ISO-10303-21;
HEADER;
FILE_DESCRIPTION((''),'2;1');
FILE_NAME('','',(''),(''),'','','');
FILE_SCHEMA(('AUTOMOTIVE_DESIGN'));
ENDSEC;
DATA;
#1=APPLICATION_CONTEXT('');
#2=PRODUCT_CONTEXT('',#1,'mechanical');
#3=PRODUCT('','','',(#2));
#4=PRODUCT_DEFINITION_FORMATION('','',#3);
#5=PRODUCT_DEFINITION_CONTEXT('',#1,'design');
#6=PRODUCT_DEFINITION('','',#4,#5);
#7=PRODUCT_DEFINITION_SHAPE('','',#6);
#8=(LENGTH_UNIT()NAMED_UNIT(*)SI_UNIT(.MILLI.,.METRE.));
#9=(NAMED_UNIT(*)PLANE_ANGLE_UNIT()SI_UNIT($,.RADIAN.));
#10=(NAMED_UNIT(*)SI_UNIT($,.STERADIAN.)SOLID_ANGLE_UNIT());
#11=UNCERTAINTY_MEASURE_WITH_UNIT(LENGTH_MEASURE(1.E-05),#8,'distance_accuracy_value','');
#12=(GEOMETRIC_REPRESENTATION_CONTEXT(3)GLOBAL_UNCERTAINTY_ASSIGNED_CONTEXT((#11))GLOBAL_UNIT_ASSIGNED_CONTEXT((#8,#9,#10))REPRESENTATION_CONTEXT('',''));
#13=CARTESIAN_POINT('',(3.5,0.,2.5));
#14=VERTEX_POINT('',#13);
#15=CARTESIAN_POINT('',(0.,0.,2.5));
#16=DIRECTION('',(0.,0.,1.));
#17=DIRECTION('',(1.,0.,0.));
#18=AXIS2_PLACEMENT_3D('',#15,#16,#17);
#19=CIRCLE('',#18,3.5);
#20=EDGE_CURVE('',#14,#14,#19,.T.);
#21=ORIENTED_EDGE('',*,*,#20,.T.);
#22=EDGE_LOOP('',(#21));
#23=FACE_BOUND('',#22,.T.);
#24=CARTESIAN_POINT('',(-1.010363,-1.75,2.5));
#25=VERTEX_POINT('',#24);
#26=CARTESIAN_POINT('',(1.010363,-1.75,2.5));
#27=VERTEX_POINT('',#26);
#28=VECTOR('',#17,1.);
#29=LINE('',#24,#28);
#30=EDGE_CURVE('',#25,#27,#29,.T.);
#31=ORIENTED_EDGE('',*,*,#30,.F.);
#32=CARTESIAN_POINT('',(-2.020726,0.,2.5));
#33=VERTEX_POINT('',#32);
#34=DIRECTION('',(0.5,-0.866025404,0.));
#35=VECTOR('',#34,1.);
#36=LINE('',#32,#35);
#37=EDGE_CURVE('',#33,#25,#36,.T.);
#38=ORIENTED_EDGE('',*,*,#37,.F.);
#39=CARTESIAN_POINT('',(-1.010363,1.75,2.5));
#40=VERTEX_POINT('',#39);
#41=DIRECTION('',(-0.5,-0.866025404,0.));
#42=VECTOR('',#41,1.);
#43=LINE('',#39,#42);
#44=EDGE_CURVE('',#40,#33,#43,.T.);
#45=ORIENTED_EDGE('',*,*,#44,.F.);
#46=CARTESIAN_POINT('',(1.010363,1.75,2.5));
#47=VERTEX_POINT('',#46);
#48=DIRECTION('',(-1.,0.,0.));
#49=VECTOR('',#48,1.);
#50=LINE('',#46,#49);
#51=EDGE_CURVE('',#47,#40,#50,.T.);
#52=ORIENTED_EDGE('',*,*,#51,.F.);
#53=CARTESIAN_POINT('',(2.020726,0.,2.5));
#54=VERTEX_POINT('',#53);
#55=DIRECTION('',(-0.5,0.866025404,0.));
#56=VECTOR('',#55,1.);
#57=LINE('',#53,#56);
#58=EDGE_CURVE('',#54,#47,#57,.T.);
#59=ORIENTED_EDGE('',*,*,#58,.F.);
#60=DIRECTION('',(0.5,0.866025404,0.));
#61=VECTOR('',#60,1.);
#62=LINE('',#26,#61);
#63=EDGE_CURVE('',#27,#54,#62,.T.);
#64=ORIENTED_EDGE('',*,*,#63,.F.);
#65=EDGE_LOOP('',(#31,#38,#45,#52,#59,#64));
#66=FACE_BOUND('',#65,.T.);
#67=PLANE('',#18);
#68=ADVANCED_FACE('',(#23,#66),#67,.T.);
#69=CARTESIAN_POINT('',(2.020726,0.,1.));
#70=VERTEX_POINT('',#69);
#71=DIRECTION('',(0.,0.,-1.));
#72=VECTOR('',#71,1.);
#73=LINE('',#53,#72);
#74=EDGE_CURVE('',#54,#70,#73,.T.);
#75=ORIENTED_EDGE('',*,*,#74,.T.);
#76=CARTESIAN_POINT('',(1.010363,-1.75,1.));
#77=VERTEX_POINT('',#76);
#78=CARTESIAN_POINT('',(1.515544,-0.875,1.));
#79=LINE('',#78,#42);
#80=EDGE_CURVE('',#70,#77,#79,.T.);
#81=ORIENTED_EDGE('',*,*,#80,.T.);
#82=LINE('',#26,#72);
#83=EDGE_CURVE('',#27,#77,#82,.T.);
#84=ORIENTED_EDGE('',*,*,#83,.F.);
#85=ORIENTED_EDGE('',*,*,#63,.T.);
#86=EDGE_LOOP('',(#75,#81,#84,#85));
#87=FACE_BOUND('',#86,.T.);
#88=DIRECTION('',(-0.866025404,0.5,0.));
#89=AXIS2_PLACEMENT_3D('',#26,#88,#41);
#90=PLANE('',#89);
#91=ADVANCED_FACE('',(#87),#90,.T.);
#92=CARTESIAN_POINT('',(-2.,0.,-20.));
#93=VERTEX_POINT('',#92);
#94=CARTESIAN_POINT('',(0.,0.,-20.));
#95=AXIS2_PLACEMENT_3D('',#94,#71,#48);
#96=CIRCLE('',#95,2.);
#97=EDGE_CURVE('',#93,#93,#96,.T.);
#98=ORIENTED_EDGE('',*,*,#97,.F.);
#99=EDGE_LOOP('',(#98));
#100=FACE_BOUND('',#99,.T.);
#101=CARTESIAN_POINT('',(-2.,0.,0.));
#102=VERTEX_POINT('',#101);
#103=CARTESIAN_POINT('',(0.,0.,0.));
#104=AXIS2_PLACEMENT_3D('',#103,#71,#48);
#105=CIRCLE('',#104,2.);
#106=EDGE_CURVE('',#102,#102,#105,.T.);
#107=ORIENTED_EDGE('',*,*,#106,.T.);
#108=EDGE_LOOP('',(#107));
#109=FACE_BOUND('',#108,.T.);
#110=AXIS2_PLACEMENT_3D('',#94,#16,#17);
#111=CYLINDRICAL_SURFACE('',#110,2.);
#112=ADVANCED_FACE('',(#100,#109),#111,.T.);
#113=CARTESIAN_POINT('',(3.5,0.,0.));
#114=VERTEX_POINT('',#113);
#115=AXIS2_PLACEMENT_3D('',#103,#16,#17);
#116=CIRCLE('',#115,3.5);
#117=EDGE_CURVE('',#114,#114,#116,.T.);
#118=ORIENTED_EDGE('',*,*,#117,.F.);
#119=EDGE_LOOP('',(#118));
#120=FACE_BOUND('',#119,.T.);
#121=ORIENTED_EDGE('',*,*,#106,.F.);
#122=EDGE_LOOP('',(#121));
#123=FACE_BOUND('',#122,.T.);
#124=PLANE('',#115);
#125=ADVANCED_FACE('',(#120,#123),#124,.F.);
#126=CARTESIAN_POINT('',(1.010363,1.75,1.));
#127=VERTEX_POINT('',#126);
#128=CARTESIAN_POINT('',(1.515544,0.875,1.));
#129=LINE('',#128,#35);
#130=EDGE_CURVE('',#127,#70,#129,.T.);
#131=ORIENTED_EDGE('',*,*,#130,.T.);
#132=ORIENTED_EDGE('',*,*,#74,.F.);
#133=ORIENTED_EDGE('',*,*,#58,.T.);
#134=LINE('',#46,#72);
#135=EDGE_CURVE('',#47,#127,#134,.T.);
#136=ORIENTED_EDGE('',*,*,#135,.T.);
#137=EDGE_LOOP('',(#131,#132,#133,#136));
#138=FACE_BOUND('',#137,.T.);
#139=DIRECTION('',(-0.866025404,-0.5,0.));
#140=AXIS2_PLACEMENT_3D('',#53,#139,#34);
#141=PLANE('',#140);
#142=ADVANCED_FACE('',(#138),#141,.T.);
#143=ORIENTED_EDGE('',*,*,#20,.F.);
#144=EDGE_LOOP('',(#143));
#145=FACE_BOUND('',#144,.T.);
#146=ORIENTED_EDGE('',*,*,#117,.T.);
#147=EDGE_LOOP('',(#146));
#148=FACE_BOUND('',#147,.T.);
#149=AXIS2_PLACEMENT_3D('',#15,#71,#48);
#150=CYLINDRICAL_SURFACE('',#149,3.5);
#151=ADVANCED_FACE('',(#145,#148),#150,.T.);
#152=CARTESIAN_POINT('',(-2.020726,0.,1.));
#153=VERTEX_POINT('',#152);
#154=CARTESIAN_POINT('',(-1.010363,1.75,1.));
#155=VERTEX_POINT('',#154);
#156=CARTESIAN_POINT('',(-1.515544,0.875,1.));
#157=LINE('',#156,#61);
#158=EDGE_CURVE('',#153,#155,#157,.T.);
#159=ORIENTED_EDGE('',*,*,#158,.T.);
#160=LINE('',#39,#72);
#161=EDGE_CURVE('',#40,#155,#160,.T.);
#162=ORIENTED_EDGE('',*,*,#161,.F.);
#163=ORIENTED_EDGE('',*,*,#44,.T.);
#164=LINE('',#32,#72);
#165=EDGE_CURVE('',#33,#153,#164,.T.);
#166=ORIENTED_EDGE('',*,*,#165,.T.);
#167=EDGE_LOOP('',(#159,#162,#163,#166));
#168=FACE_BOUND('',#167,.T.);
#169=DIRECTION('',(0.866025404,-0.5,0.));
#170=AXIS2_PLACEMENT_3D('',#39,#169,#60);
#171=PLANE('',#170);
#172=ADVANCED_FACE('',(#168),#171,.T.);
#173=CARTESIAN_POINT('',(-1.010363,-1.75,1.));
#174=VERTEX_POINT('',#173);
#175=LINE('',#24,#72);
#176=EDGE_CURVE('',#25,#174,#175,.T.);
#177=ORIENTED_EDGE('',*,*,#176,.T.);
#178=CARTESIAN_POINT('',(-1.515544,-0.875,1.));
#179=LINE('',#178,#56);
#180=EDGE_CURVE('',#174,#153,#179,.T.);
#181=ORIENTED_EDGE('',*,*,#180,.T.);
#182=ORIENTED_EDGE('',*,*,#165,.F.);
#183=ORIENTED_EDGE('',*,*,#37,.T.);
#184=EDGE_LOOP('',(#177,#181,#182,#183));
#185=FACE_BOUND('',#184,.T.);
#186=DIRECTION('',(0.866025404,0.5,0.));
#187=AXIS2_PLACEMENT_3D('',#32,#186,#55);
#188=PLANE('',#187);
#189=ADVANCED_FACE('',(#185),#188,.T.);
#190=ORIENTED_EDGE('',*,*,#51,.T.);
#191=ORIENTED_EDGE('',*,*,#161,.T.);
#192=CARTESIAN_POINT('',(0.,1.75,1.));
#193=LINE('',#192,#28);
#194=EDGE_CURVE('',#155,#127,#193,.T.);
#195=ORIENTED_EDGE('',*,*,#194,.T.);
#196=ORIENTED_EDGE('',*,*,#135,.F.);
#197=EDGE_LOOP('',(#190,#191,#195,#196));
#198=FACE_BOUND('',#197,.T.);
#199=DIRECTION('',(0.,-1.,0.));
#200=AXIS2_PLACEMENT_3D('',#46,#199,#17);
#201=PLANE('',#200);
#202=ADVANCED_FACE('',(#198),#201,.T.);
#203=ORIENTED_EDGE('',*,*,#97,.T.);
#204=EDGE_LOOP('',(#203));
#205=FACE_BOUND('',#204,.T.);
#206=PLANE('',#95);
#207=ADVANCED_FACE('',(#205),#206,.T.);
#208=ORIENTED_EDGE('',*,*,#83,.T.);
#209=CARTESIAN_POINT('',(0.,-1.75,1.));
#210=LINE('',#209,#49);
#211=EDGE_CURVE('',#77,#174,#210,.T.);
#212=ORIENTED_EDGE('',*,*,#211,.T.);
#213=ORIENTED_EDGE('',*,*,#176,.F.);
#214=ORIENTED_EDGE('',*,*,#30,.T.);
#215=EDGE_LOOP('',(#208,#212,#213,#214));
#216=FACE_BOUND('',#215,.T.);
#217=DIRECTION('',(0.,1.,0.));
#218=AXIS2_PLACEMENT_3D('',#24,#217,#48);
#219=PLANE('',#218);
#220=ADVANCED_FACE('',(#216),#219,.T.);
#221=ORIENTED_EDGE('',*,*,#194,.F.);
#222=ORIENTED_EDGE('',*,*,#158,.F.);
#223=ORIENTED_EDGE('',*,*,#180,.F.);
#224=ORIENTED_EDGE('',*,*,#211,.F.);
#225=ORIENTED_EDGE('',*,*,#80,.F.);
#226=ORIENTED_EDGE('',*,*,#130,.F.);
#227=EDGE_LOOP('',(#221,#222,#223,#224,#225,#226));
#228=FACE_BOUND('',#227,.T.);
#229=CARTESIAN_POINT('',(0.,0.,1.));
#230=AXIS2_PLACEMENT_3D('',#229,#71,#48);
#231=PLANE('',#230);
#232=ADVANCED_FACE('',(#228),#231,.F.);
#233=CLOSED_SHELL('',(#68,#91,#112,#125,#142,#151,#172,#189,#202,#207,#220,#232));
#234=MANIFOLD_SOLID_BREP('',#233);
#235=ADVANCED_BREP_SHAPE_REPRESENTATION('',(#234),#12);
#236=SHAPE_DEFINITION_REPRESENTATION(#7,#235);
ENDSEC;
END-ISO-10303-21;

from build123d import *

# Parameters (mm, degrees)
SKETCH_1_R      = 3.5
EXTRUDE_1_DEPTH = 2.5
SKETCH_2_R      = 2
EXTRUDE_2_DEPTH = 20
EXTRUDE_3_DEPTH = 1


with BuildPart() as part:
    # 草图1 → 凸台-拉伸1 (new body)
    with BuildSketch(Plane.XY):
        Circle(SKETCH_1_R)
        Polygon((2.020725942, 0), (1.010362971, 1.75), (-1.010362971, 1.75), (-2.020725942, 0), (-1.010362971, -1.75), (1.010362971, -1.75), align=None, mode=Mode.SUBTRACT)
    extrude(amount=EXTRUDE_1_DEPTH)

    # 草图2 → 凸台-拉伸2 (add)
    with BuildSketch(Plane(origin=(0, 0, 0), x_dir=(-1, 0, 0), z_dir=(0, 0, -1))):
        with Locations(Location((0, 0, 0), (0, 0, 178.955024372))):
            Circle(SKETCH_2_R)
    extrude(amount=EXTRUDE_2_DEPTH)

    # 草图1<3> → 凸台-拉伸3 (add)
    with BuildSketch(Plane.XY):
        Polygon((-1.010362971, -1.75), (1.010362971, -1.75), (2.020725942, 0), (1.010362971, 1.75), (-1.010362971, 1.75), (-2.020725942, 0), align=None)
    extrude(amount=EXTRUDE_3_DEPTH)


solid = part.part
